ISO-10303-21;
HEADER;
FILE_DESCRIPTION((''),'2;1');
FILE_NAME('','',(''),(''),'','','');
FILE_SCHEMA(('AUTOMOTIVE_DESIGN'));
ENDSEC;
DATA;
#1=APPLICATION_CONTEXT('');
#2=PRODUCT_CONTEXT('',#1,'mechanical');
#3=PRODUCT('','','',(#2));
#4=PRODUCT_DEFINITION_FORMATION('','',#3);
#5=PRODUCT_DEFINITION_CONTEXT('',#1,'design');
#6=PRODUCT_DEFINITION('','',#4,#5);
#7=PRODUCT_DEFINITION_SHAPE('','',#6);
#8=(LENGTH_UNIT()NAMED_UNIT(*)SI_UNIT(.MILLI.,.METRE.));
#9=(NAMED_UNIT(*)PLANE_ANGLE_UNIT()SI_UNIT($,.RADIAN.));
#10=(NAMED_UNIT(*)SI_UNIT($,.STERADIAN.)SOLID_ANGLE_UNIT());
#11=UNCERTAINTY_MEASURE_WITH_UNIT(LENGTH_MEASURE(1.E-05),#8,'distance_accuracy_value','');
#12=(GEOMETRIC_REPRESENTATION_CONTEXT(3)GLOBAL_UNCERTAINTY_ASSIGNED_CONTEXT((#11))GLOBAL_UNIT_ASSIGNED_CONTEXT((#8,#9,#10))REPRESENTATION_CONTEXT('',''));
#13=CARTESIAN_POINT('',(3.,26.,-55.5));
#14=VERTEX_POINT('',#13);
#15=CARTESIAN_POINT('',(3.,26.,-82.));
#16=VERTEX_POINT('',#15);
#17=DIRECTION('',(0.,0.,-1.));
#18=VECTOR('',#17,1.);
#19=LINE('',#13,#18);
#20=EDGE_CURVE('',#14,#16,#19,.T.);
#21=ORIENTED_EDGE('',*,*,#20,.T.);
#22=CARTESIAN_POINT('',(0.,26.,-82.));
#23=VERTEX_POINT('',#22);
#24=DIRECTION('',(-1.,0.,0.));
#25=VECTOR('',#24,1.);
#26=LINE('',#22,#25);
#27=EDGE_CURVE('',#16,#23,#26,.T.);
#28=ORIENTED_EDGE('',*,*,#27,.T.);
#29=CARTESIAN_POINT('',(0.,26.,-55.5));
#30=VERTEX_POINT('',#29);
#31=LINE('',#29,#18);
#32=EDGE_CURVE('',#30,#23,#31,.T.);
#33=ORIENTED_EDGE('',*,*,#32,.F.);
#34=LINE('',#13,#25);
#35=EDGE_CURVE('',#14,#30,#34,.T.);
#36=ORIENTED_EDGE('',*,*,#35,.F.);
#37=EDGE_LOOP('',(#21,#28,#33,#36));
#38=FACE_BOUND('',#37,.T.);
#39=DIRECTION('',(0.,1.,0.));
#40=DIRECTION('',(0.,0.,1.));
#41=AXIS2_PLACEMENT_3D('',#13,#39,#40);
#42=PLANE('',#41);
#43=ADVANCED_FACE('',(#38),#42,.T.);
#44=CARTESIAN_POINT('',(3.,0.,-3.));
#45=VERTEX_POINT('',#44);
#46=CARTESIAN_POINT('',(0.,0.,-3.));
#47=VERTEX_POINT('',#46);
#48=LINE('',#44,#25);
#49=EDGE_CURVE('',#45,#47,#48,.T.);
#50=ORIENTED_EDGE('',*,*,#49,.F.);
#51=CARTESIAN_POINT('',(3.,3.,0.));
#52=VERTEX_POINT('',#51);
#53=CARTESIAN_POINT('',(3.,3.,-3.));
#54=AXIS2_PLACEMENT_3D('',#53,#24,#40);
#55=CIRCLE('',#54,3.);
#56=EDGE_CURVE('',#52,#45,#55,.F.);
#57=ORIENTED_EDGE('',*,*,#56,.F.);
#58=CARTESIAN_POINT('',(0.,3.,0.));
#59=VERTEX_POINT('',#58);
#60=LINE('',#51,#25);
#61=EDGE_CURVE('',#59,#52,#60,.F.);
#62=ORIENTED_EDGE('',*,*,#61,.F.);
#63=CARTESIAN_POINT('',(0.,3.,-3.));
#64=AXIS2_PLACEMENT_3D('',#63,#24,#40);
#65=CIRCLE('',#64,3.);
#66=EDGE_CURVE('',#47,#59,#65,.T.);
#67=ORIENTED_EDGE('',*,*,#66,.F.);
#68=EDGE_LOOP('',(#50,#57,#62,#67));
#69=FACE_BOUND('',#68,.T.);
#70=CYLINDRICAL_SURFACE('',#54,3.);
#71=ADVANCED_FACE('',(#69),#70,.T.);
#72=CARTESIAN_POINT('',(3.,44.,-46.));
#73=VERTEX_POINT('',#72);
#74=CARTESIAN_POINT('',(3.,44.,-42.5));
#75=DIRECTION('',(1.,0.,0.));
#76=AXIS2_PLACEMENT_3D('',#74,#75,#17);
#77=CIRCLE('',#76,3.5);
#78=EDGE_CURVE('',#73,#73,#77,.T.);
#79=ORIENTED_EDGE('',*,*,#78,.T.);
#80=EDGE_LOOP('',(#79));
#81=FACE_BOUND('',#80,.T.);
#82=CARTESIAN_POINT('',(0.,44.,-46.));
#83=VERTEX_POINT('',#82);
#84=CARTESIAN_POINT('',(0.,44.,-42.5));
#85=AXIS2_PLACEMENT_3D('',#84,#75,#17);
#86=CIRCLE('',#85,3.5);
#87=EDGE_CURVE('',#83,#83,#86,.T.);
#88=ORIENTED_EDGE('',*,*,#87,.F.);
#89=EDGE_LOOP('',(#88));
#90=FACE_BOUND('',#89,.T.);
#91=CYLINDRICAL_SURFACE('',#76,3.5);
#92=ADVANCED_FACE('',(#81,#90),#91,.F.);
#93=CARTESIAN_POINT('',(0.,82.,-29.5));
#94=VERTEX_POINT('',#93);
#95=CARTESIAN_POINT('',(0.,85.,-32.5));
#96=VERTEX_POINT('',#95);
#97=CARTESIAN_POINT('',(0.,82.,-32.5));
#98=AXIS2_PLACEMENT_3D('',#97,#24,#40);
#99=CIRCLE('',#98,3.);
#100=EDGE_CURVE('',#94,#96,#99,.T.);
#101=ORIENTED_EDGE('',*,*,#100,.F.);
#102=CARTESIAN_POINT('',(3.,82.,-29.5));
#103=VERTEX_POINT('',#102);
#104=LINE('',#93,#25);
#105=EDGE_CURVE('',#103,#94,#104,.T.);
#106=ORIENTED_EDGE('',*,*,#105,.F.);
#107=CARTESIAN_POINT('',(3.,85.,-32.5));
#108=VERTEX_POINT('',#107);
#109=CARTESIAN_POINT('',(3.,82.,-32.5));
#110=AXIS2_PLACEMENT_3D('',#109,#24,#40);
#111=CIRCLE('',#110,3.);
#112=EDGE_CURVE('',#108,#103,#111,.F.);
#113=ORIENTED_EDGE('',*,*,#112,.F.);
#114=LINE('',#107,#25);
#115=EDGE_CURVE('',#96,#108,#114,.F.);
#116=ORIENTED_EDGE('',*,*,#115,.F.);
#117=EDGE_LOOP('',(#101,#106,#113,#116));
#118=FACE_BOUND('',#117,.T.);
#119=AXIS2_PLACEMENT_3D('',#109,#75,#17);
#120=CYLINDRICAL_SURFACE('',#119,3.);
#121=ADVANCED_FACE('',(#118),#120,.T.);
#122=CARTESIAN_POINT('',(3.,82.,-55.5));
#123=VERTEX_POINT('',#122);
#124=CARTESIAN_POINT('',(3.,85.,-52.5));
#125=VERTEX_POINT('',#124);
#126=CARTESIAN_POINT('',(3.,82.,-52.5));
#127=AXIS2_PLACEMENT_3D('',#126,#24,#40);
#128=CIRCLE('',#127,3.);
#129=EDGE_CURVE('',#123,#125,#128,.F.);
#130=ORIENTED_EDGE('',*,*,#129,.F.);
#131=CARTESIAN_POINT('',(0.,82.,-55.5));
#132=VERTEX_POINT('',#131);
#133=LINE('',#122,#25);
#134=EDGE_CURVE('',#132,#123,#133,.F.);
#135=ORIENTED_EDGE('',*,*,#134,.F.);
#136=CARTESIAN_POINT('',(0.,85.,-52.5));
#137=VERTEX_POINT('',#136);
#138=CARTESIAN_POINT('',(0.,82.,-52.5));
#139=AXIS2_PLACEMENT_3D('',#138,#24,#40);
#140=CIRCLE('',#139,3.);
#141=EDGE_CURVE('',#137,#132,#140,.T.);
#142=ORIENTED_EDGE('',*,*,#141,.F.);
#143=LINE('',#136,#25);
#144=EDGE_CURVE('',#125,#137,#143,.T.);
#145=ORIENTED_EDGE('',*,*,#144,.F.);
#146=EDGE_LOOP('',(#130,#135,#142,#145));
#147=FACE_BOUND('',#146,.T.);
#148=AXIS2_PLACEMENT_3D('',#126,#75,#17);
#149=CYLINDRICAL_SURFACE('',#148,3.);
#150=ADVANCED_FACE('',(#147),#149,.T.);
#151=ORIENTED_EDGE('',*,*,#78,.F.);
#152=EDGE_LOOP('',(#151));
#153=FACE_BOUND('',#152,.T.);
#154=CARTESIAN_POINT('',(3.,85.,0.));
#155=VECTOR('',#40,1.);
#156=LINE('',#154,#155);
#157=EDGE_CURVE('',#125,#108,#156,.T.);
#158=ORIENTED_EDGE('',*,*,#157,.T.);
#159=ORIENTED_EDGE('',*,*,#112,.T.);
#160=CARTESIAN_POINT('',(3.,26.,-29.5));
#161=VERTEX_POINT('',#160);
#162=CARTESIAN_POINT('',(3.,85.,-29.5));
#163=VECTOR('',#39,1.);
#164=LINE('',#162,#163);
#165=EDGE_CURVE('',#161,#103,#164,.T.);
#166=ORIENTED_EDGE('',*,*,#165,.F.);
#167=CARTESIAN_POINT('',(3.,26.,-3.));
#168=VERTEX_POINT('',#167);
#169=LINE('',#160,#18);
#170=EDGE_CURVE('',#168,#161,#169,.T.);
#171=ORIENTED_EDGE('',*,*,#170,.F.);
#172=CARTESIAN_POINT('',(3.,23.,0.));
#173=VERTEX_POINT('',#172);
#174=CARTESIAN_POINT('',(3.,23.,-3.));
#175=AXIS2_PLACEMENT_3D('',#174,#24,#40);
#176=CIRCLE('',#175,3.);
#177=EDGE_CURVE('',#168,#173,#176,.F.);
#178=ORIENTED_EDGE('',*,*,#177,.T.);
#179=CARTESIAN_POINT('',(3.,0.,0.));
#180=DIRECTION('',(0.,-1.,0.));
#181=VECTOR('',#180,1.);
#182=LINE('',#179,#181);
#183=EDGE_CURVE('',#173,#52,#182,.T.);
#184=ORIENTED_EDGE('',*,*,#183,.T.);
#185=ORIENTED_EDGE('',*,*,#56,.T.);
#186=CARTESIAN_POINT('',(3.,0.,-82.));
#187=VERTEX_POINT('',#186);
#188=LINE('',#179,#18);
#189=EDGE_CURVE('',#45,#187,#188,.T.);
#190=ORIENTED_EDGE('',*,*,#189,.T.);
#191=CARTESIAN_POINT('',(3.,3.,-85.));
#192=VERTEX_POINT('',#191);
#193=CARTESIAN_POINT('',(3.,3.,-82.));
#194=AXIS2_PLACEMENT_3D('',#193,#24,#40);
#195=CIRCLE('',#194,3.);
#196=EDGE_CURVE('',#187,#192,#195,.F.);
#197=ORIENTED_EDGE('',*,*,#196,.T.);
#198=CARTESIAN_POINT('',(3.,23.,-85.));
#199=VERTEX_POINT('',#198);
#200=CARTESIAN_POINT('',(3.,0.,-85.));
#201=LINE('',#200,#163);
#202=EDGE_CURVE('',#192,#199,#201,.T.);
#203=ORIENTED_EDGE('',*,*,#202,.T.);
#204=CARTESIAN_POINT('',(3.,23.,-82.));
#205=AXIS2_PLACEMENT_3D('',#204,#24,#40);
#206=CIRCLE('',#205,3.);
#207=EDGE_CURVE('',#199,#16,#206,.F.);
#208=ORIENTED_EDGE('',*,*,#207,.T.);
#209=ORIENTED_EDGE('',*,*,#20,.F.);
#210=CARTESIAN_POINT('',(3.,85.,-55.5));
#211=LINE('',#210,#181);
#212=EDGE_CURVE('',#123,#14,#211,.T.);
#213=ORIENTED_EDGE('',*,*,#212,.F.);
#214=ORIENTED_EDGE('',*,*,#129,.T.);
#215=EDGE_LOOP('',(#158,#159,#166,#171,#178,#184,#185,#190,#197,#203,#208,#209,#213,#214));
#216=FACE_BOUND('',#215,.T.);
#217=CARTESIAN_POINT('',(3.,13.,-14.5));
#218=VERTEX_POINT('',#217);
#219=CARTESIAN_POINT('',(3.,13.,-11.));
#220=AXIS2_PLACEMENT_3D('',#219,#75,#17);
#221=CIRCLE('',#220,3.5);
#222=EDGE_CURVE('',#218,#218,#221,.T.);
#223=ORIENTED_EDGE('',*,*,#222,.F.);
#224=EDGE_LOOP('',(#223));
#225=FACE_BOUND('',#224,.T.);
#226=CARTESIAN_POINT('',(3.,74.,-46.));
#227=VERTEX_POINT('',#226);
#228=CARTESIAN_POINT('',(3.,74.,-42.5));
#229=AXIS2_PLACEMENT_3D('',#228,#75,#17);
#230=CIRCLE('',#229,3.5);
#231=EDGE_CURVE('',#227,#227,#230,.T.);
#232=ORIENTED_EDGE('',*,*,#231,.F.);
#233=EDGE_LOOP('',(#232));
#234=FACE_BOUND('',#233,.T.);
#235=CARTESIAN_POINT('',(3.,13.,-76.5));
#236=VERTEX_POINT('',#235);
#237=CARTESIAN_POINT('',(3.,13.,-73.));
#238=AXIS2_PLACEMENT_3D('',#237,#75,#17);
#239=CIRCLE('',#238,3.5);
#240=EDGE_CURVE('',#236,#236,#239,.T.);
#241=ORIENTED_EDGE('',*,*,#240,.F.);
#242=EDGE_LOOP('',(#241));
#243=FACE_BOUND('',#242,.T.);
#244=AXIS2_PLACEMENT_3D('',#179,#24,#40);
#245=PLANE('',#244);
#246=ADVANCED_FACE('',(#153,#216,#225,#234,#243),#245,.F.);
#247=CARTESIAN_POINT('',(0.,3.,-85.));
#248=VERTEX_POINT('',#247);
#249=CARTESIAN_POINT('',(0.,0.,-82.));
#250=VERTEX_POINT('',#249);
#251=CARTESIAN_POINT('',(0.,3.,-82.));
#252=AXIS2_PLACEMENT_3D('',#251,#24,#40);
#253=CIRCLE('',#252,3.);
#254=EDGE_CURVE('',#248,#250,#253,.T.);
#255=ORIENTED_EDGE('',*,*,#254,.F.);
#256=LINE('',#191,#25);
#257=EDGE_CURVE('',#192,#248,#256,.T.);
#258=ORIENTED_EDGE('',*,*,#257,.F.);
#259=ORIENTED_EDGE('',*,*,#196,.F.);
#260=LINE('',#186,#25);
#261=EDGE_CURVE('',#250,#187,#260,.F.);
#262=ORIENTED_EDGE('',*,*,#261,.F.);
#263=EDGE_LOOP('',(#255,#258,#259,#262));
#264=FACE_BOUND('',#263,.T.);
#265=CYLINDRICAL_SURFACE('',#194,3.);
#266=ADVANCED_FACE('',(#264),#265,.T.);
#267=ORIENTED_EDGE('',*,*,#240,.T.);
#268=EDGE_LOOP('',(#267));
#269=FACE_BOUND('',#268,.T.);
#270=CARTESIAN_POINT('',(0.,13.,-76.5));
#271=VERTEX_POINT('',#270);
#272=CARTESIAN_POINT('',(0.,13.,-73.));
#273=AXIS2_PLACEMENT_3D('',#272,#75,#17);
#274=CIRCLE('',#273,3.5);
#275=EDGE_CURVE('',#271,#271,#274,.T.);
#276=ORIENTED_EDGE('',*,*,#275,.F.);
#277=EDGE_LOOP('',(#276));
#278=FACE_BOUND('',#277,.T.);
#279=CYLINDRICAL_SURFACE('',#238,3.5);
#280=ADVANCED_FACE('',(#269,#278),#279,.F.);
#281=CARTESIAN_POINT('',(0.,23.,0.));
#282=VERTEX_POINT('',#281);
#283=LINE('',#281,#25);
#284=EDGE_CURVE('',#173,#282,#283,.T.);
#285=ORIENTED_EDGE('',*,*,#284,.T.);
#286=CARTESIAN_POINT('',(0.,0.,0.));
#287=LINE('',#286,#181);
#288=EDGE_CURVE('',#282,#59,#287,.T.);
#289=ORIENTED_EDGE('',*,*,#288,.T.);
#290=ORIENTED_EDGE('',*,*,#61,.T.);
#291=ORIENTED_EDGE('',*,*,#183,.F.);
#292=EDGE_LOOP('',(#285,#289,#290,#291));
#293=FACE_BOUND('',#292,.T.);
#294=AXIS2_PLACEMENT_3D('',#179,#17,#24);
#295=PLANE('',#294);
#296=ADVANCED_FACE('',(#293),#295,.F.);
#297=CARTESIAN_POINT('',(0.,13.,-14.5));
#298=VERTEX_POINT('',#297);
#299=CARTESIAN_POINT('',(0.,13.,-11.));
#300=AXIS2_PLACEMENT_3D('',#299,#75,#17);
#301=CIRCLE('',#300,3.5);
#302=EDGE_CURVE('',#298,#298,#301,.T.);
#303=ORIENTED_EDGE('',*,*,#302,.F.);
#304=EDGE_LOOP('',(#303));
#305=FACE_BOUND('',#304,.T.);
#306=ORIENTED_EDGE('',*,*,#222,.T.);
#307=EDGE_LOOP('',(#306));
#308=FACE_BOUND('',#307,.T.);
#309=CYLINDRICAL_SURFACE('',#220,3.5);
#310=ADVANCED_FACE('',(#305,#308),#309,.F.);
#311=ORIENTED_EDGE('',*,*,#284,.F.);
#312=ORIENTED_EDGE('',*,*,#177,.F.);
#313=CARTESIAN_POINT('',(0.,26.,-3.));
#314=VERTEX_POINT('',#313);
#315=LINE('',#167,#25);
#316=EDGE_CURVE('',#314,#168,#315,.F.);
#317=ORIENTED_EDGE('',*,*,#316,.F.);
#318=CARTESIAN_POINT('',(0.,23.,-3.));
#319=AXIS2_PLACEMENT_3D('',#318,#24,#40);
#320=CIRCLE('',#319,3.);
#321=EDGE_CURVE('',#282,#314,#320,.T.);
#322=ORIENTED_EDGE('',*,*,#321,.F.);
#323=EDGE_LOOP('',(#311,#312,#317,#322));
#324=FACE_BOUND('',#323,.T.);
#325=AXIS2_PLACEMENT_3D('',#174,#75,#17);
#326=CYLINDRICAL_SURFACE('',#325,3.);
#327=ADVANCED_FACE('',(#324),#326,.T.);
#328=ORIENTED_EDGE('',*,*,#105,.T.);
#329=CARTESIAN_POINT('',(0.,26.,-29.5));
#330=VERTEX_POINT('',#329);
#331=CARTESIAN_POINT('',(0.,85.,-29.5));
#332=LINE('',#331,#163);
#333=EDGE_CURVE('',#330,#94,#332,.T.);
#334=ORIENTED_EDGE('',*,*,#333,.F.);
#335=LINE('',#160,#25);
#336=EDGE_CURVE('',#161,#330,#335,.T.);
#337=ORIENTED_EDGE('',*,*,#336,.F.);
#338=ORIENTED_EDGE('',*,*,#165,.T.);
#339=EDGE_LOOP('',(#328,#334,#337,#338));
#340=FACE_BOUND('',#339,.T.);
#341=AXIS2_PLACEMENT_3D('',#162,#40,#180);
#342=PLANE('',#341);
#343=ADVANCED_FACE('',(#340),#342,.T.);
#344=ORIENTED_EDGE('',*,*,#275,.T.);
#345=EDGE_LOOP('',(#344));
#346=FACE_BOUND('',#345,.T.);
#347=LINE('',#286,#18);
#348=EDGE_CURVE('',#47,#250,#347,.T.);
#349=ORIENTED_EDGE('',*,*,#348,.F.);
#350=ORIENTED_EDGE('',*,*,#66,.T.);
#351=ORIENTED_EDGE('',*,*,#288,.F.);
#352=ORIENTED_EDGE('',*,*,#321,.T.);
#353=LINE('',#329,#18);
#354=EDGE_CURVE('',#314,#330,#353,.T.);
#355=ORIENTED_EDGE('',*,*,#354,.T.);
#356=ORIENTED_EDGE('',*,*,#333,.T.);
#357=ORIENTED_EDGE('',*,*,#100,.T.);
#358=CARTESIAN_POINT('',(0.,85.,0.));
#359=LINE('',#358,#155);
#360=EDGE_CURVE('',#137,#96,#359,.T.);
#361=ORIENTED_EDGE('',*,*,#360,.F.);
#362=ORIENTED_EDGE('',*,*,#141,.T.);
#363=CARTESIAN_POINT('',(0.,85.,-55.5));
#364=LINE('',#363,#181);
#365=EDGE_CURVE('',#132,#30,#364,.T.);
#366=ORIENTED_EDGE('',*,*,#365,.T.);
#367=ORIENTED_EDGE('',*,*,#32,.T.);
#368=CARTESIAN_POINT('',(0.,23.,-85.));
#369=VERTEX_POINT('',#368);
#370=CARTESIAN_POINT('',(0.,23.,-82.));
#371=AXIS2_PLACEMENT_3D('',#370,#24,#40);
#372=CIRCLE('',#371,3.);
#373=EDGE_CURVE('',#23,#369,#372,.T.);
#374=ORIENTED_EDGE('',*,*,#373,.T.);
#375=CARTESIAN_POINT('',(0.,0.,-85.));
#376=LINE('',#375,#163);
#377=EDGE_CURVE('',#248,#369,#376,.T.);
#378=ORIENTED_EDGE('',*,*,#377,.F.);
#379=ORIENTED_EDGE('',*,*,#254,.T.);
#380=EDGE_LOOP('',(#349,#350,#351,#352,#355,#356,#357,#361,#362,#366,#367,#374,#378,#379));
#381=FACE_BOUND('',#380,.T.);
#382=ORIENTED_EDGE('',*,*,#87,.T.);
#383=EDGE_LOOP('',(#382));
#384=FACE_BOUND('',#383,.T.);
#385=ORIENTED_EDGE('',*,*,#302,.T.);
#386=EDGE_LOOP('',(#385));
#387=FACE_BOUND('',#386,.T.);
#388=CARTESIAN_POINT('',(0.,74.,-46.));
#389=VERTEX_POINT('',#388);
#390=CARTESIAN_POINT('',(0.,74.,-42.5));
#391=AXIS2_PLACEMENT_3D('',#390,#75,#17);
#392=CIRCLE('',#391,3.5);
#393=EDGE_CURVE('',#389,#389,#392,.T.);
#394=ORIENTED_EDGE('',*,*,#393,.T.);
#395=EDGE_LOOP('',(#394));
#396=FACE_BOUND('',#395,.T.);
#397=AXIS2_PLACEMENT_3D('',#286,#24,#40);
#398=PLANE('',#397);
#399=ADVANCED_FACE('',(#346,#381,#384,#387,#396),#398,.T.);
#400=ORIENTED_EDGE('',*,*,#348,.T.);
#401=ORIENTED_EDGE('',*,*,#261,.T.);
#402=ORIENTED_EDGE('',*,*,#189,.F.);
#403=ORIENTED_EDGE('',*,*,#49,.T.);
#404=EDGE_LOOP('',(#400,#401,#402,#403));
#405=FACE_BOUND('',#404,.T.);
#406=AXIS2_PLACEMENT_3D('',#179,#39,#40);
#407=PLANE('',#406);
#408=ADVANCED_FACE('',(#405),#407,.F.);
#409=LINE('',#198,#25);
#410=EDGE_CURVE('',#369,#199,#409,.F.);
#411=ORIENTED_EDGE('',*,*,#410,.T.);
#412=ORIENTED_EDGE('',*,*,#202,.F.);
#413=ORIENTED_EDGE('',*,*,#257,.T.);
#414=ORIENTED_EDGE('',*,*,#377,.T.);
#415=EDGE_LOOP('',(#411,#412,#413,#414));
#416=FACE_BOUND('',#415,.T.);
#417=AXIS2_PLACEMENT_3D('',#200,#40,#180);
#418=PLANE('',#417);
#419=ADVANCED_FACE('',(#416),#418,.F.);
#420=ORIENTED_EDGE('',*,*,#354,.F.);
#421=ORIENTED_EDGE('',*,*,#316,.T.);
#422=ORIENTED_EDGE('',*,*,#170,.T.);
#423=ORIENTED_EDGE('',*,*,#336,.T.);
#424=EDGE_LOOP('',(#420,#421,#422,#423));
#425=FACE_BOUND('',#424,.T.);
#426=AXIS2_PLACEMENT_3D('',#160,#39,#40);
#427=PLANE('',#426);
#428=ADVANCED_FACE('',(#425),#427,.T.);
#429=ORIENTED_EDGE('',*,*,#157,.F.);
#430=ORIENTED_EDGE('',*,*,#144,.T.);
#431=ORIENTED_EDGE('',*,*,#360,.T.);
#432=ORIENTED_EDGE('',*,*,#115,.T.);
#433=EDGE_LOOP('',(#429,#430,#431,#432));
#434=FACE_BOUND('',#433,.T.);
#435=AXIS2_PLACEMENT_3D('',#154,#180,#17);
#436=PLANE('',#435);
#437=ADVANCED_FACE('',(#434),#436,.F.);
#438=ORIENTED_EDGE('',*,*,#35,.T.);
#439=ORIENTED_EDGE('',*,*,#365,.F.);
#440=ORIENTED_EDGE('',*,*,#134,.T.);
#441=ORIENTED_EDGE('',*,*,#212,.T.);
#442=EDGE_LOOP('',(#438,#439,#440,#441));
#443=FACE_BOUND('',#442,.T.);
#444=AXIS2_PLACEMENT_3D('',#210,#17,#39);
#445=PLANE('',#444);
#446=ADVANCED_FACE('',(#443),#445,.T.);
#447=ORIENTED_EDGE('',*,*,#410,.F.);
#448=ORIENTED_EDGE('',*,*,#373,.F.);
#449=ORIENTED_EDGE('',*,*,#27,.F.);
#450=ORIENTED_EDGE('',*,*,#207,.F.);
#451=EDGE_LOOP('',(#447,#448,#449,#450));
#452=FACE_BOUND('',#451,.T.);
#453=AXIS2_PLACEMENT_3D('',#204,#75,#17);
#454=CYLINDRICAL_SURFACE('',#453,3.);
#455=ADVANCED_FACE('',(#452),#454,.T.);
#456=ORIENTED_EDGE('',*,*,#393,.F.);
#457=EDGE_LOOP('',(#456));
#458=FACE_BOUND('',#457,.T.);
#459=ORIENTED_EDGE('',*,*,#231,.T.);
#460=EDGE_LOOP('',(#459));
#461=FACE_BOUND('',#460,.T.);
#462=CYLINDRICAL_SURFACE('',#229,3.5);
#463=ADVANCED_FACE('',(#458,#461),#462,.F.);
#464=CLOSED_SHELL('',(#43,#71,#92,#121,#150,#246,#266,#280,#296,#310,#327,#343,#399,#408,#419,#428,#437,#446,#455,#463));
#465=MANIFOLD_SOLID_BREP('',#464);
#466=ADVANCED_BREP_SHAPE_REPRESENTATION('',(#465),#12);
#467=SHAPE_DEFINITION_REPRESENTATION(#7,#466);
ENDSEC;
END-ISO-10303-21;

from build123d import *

# Parameters (mm, degrees)
SKETCH1_W           = 85
SKETCH1_H           = 85
BOSS_EXTRUDE1_DEPTH = 3
SKETCH5_W           = 29.5
SKETCH5_H           = 59
CUT_EXTRUDE2_DEPTH  = 4
DIAMETERHOLE2_D     = 7
FILLET2_R           = 3


with BuildPart() as part:
    # Sketch1 → Boss-Extrude1 (new body)
    with BuildSketch(Plane(origin=(0, 0, 0), x_dir=(0, 0, -1), z_dir=(1, 0, 0))):
        with Locations((42.5, 42.5)):
            Rectangle(SKETCH1_W, SKETCH1_H)
    extrude(amount=BOSS_EXTRUDE1_DEPTH)

    # Sketch5 → Cut-Extrude2 (cut, through all)
    with BuildSketch(Plane(origin=(0, 0, 0), x_dir=(0, 0, -1), z_dir=(1, 0, 0))):
        with Locations((14.75, 55.5)):
            Rectangle(SKETCH5_W, SKETCH5_H)
        with Locations((70.25, 55.5)):
            Rectangle(SKETCH5_W, SKETCH5_H)
    extrude(amount=CUT_EXTRUDE2_DEPTH, mode=Mode.SUBTRACT)

    # DiameterHole2 (through all)
    with Locations(Plane(origin=(3, 0, 0), x_dir=(0, 0, -1), z_dir=(1, 0, 0))):
        with Locations((42.5, 74), (42.5, 44), (11, 13), (73, 13)):
            Hole(DIAMETERHOLE2_D / 2)

    # Fillet2
    fillet2_edges = [part.edges().sort_by_distance(p)[0] for p in [
        (1.5, 26, 0),
        (1.5, 85, -29.5),
        (1.5, 26, -85),
        (1.5, 85, -55.5),
        (1.5, 0, -85),
        (1.5, 0, 0),
    ]]
    fillet(fillet2_edges, radius=FILLET2_R)


solid = part.part
